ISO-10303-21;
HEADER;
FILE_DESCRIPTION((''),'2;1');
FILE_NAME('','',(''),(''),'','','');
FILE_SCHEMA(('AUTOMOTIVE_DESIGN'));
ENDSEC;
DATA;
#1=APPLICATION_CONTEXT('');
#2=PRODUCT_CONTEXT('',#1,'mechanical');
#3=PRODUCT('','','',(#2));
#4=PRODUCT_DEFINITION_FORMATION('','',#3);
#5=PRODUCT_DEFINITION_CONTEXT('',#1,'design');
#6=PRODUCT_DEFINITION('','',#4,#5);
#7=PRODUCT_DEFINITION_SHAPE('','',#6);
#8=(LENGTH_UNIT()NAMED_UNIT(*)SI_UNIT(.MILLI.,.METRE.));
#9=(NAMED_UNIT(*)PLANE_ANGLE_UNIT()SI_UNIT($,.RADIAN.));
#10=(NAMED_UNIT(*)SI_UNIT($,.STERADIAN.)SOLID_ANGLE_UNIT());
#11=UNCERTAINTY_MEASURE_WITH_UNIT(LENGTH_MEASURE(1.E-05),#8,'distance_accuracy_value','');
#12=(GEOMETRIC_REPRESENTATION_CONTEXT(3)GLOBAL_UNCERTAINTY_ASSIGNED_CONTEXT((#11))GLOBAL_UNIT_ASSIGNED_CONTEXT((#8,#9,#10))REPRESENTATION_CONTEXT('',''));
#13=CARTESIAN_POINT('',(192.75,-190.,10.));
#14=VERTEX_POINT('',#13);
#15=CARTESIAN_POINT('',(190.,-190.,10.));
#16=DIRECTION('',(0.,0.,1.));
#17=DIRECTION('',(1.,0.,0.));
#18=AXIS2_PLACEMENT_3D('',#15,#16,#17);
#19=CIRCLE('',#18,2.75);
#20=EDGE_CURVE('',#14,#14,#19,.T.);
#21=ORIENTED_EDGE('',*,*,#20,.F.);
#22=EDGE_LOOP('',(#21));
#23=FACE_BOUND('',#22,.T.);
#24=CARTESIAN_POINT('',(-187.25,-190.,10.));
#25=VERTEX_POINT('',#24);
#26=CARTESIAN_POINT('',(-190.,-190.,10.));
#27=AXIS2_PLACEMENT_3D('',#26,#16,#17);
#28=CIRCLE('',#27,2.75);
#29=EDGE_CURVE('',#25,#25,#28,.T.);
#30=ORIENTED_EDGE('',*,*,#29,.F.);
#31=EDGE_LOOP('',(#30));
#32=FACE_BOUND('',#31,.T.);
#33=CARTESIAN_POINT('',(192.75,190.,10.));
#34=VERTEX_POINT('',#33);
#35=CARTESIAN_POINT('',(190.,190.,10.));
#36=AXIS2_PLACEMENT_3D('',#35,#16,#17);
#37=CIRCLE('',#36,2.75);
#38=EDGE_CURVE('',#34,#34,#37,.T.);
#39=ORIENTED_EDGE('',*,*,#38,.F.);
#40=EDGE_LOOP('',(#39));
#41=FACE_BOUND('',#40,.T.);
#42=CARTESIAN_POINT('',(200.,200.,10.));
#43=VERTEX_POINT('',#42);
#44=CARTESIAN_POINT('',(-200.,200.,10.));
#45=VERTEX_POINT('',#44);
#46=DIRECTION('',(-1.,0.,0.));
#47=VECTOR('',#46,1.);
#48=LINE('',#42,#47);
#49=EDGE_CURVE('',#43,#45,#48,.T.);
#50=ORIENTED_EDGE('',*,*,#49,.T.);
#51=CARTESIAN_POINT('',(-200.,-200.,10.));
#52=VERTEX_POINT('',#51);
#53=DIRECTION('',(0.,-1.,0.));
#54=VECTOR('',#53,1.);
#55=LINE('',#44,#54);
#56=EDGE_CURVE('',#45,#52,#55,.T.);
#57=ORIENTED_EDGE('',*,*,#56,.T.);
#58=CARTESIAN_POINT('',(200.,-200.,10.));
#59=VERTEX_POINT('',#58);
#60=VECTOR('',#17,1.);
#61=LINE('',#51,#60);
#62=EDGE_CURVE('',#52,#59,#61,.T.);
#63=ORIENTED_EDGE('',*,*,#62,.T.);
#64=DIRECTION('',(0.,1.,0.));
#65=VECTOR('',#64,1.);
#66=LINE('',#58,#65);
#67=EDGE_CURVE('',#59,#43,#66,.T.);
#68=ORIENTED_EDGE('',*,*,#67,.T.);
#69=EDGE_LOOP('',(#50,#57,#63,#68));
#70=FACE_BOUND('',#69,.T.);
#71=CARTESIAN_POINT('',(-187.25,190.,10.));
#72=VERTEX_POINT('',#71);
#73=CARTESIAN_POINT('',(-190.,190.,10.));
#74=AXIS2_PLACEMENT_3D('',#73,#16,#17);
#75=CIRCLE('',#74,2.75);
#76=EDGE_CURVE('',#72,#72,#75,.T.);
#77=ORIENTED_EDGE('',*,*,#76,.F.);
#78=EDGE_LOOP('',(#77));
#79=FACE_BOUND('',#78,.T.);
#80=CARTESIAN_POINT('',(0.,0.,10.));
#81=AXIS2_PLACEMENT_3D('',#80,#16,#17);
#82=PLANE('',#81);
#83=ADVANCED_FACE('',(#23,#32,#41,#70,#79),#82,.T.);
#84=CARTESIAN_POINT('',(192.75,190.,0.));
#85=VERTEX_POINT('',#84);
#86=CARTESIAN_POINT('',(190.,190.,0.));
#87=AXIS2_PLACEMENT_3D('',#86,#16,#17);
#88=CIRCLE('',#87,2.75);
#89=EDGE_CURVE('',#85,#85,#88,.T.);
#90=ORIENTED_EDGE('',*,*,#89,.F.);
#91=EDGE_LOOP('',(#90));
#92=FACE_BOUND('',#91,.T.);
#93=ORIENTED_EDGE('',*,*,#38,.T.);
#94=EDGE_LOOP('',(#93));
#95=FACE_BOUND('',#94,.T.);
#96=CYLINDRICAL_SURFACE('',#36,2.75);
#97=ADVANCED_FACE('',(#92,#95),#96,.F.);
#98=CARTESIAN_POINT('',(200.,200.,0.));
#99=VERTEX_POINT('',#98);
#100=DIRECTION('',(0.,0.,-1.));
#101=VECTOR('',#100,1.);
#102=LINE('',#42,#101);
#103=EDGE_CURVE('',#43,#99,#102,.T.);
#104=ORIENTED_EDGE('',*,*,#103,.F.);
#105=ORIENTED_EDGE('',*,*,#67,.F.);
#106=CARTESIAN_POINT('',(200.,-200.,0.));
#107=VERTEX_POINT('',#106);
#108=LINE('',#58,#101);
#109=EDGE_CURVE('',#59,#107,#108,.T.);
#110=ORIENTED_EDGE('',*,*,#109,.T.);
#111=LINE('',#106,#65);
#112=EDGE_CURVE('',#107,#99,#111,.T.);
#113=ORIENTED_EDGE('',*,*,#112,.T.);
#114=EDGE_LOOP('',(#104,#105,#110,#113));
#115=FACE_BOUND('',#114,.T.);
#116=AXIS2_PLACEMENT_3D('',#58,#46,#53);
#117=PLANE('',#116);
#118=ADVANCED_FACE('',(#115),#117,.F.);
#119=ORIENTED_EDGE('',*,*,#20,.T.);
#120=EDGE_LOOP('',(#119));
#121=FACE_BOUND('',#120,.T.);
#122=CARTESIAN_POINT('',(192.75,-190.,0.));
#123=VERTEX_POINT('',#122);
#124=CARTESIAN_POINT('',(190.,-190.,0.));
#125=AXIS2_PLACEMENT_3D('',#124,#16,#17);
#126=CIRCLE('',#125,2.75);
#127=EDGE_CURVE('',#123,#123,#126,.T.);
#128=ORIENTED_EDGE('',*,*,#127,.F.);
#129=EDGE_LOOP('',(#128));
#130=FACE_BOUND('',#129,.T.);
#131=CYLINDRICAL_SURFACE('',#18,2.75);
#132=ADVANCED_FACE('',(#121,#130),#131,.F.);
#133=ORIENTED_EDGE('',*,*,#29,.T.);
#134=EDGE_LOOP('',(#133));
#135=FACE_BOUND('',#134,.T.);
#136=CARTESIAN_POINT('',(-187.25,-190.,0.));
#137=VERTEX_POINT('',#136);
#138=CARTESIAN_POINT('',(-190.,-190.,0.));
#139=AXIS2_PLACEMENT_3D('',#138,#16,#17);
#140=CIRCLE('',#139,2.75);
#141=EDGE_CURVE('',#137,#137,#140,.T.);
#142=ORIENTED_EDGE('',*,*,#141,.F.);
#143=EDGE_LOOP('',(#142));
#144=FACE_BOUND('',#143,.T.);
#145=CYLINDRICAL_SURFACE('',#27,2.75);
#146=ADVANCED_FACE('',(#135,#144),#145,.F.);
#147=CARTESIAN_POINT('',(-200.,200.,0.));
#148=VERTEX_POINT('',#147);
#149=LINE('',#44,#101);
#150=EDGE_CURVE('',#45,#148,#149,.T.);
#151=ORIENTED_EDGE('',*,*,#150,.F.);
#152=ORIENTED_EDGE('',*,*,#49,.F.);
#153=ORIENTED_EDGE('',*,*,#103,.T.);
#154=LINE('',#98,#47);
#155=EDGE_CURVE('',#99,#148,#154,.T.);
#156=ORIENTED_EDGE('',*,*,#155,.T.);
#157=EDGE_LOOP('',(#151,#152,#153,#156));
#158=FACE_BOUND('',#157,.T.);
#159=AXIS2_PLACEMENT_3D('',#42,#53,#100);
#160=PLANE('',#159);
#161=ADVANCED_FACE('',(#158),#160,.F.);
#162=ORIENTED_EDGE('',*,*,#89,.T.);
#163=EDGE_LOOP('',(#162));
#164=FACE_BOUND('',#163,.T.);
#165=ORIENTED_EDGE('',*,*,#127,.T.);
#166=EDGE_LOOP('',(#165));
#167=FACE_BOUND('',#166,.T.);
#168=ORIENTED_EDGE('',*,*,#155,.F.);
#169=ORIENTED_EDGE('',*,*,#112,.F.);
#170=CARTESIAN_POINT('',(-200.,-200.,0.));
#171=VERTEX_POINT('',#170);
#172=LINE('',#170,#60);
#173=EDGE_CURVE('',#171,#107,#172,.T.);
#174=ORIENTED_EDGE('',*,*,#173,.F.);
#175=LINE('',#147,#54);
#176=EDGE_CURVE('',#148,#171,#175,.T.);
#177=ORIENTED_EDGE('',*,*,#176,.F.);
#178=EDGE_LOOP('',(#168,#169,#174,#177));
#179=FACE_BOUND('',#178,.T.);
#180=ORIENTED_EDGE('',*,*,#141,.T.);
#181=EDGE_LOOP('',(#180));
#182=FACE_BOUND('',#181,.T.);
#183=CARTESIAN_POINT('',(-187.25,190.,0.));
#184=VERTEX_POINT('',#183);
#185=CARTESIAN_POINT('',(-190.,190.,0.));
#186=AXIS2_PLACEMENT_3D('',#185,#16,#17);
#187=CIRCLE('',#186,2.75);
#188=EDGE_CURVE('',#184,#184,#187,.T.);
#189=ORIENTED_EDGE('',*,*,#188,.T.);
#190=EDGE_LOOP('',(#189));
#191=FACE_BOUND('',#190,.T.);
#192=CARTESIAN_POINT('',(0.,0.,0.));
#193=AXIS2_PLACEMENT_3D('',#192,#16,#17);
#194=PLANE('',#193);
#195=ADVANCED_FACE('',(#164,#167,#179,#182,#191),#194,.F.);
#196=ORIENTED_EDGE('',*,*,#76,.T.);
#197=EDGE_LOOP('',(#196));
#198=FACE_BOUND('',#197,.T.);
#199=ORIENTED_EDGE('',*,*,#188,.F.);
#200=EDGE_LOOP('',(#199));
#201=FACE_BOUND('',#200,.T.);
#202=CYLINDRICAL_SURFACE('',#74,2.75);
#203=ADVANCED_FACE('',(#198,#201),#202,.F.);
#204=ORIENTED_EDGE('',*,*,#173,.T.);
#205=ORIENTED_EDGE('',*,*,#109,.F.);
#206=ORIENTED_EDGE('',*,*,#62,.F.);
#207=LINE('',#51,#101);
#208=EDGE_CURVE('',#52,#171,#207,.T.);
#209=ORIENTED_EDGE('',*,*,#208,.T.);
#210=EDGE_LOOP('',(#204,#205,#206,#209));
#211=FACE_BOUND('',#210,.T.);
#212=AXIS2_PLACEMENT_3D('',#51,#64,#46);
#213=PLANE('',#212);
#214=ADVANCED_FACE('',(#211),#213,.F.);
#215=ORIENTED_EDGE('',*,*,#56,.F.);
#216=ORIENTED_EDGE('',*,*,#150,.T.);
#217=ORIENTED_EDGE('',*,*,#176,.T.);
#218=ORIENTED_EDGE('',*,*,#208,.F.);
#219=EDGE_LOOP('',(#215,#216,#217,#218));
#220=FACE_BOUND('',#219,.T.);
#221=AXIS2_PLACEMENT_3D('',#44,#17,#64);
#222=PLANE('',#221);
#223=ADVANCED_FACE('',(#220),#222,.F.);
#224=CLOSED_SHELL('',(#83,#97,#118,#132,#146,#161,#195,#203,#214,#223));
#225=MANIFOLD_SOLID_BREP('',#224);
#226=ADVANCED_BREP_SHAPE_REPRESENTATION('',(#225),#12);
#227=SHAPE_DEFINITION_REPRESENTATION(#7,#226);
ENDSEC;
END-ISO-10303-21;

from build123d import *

# Parameters (mm, degrees)
ESQUISSE1_W          = 400
ESQUISSE1_H          = 400
BOSS_EXTRU_1_DEPTH   = 10
D_GAGEMENT_M51_D     = 5.5
D_GAGEMENT_M51_DEPTH = 16


with BuildPart() as part:
    # Esquisse1 → Boss.-Extru.1 (new body)
    with BuildSketch(Plane.XY):
        Rectangle(ESQUISSE1_W, ESQUISSE1_H)
    extrude(amount=BOSS_EXTRU_1_DEPTH)

    # Dégagement M51
    with Locations(Plane.XY.offset(10)):
        with Locations((190, 190), (-190, 190), (-190, -190), (190, -190)):
            Hole(D_GAGEMENT_M51_D / 2, depth=D_GAGEMENT_M51_DEPTH)


solid = part.part
